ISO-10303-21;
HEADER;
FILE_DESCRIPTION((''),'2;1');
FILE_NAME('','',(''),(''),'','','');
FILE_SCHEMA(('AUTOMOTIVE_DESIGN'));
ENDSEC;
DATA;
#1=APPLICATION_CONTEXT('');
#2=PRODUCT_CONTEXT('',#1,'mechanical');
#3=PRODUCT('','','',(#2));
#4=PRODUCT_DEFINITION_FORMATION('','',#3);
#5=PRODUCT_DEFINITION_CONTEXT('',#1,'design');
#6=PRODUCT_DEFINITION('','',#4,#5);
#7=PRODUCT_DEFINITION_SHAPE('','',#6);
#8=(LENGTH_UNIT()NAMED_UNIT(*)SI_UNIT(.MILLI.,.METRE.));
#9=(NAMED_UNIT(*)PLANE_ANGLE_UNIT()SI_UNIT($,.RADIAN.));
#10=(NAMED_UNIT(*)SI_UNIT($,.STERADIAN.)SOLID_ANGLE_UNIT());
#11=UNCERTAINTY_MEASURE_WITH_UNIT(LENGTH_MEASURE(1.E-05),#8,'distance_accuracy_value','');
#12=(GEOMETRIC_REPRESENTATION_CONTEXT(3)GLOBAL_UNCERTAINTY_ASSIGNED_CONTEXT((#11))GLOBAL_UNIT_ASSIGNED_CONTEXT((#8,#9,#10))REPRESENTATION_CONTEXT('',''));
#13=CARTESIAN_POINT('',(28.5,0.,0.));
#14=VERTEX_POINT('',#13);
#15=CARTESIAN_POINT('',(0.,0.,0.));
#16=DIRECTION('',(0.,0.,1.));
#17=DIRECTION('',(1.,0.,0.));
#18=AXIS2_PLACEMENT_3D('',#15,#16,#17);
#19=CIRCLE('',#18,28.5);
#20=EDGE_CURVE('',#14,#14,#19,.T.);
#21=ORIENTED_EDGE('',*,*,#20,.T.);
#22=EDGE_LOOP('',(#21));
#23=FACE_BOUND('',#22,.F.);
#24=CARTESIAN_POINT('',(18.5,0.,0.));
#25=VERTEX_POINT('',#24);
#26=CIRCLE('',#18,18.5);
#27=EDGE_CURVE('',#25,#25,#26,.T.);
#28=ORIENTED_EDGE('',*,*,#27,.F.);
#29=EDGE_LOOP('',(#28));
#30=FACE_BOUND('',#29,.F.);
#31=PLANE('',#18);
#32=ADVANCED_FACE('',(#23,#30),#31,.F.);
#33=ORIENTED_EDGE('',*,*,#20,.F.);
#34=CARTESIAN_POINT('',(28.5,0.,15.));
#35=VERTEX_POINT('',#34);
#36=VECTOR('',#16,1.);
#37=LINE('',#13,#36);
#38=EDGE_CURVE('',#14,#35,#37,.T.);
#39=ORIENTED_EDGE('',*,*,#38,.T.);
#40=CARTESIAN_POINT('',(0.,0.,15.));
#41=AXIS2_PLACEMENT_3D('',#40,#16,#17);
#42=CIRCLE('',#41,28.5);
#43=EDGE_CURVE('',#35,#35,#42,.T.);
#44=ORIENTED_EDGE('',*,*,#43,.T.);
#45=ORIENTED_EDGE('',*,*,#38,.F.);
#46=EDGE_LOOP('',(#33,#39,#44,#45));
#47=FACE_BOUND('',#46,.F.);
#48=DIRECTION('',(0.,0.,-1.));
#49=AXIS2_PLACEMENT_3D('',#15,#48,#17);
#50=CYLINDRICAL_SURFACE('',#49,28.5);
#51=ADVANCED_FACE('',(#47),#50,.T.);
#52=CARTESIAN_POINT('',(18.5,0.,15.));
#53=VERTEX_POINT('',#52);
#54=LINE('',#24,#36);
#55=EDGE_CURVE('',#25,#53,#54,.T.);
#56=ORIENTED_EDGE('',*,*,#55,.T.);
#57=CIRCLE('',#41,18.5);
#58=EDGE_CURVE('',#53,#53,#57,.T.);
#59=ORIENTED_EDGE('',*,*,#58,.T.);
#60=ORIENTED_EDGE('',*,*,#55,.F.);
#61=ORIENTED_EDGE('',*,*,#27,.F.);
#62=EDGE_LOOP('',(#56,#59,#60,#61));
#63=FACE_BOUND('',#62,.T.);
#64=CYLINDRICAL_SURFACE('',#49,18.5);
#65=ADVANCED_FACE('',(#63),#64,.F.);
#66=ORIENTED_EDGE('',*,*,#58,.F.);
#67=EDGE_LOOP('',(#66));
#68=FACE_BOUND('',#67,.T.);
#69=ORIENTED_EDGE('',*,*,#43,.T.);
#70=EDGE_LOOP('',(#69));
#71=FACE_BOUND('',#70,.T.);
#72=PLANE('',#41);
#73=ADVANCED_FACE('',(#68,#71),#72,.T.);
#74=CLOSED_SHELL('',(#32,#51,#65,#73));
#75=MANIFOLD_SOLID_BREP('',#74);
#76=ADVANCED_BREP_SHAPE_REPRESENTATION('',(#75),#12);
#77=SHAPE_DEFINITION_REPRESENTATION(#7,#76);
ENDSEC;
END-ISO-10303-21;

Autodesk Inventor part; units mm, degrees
ref_plane "YZ Plane" through (0, 0, 0) normal (1, 0, 0) x (0, 1, 0)
ref_plane "XZ Plane" through (0, 0, 0) normal (0, 1, 0) x (-1, 0, 0)
ref_plane "XY Plane" through (0, 0, 0) normal (0, 0, 1) x (1, 0, 0)
sketch "Sketch1" plane through (0, 0, 0) normal (0, 0, 1) x (1, 0, 0)
  circle A0 centre (0, 0) radius 18.5
  circle A1 centre (0, 0) radius 28.5
  circle A2 centre (0, 0) radius 23.5 construction
  circle A3 centre (0, 23.5) radius 3 construction
  circle A4 centre (0, 0) radius 26.5
  dimension "d5" = 47
  dimension "d0" = 37
  dimension "d1" = 57
  dimension "d6" = 6
  dimension "d11" = 53
extrude "Extrusion1" add sketch "Sketch1" along normal blind 15 contours A1 | A4
properties part number "back"
